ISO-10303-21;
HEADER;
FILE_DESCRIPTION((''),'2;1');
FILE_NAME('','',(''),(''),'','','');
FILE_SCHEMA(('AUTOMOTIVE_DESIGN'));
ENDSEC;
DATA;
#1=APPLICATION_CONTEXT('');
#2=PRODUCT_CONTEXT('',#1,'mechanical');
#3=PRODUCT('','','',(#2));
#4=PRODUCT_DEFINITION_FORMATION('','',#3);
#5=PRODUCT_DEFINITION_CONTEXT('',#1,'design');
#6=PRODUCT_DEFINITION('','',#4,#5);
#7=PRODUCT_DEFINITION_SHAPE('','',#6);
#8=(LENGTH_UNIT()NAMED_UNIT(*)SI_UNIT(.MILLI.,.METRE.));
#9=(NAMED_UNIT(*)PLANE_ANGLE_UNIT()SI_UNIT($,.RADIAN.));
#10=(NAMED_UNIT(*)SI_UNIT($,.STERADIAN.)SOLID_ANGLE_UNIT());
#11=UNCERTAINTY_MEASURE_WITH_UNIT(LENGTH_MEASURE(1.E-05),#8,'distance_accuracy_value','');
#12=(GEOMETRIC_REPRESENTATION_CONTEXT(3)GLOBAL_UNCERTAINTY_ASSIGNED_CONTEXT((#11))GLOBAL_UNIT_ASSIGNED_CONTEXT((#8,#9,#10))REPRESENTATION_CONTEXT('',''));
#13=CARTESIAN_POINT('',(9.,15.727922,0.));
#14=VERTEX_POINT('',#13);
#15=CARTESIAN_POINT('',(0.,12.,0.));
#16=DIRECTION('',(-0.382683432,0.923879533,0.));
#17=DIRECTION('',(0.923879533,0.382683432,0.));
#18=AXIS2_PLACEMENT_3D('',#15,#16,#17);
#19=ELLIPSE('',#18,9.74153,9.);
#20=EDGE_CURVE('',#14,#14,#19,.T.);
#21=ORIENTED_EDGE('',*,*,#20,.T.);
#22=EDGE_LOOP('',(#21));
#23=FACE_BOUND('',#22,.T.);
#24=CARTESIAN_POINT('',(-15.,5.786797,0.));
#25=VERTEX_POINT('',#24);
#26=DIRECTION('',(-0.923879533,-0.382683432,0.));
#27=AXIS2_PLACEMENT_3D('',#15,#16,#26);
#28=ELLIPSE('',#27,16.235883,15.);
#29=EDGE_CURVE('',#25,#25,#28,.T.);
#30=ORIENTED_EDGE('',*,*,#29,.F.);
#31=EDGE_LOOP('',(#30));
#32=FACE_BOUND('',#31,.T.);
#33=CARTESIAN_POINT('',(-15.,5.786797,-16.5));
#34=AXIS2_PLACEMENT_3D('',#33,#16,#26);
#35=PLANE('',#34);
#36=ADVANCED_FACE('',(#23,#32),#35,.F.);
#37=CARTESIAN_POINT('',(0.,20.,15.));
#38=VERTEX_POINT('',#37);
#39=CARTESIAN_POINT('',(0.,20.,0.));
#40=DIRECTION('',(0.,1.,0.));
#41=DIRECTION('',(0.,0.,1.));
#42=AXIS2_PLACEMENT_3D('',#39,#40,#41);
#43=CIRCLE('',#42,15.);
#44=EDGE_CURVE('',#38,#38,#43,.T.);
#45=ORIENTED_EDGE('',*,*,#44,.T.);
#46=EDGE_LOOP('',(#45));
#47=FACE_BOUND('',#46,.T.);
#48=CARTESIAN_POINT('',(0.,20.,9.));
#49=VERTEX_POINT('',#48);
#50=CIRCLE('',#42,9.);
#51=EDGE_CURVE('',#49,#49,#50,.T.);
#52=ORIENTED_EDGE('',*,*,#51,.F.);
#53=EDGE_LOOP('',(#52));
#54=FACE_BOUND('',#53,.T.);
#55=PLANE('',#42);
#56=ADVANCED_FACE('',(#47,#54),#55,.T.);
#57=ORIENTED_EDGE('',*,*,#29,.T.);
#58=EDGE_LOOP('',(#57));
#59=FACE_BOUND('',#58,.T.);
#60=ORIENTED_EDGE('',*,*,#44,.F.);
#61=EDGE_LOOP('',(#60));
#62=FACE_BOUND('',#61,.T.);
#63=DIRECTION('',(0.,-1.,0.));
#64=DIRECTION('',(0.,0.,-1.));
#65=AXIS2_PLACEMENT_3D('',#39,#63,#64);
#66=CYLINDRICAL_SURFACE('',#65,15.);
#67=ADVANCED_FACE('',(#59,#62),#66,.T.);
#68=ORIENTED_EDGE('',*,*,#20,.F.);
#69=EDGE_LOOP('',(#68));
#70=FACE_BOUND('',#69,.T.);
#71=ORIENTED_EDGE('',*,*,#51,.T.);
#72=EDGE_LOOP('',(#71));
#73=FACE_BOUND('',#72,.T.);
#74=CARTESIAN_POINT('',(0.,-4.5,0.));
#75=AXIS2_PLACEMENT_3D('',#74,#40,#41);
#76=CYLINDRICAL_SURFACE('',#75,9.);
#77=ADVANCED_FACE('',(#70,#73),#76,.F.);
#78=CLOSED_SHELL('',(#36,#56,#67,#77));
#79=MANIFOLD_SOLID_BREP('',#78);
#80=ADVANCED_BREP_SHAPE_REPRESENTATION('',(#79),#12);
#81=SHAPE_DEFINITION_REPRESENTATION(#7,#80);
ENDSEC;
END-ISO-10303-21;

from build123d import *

# Parameters (mm, degrees)
SKETCH_1_R          = 15
EXTRUDE_1_DEPTH     = 20
CUT_EXTRUDE_1_DEPTH = 16.5
SKETCH_10_R         = 9
CUT_EXTRUDE_2_DEPTH = 24.5


with BuildPart() as part:
    # 草图1 → 凸台-拉伸1 (new body)
    with BuildSketch(Plane(origin=(0, 0, 0), x_dir=(1, 0, 0), z_dir=(0, 1, 0))):
        Circle(SKETCH_1_R)
    extrude(amount=EXTRUDE_1_DEPTH)

    # 草图2 → 切除-拉伸1 (cut, symmetric)
    with BuildSketch(Plane.XY):
        Polygon((-15, 5.786796564), (15, 18.213203436), (15, -10.377528432), (-15, -10.377528432), align=None)
    extrude(amount=CUT_EXTRUDE_1_DEPTH, both=True, mode=Mode.SUBTRACT)

    # 草图10 → 切除-拉伸2 (cut)
    with BuildSketch(Plane(origin=(0, 20, 0), x_dir=(1, 0, 0), z_dir=(0, 1, 0))):
        Circle(SKETCH_10_R)
    extrude(amount=-CUT_EXTRUDE_2_DEPTH, mode=Mode.SUBTRACT)


solid = part.part
